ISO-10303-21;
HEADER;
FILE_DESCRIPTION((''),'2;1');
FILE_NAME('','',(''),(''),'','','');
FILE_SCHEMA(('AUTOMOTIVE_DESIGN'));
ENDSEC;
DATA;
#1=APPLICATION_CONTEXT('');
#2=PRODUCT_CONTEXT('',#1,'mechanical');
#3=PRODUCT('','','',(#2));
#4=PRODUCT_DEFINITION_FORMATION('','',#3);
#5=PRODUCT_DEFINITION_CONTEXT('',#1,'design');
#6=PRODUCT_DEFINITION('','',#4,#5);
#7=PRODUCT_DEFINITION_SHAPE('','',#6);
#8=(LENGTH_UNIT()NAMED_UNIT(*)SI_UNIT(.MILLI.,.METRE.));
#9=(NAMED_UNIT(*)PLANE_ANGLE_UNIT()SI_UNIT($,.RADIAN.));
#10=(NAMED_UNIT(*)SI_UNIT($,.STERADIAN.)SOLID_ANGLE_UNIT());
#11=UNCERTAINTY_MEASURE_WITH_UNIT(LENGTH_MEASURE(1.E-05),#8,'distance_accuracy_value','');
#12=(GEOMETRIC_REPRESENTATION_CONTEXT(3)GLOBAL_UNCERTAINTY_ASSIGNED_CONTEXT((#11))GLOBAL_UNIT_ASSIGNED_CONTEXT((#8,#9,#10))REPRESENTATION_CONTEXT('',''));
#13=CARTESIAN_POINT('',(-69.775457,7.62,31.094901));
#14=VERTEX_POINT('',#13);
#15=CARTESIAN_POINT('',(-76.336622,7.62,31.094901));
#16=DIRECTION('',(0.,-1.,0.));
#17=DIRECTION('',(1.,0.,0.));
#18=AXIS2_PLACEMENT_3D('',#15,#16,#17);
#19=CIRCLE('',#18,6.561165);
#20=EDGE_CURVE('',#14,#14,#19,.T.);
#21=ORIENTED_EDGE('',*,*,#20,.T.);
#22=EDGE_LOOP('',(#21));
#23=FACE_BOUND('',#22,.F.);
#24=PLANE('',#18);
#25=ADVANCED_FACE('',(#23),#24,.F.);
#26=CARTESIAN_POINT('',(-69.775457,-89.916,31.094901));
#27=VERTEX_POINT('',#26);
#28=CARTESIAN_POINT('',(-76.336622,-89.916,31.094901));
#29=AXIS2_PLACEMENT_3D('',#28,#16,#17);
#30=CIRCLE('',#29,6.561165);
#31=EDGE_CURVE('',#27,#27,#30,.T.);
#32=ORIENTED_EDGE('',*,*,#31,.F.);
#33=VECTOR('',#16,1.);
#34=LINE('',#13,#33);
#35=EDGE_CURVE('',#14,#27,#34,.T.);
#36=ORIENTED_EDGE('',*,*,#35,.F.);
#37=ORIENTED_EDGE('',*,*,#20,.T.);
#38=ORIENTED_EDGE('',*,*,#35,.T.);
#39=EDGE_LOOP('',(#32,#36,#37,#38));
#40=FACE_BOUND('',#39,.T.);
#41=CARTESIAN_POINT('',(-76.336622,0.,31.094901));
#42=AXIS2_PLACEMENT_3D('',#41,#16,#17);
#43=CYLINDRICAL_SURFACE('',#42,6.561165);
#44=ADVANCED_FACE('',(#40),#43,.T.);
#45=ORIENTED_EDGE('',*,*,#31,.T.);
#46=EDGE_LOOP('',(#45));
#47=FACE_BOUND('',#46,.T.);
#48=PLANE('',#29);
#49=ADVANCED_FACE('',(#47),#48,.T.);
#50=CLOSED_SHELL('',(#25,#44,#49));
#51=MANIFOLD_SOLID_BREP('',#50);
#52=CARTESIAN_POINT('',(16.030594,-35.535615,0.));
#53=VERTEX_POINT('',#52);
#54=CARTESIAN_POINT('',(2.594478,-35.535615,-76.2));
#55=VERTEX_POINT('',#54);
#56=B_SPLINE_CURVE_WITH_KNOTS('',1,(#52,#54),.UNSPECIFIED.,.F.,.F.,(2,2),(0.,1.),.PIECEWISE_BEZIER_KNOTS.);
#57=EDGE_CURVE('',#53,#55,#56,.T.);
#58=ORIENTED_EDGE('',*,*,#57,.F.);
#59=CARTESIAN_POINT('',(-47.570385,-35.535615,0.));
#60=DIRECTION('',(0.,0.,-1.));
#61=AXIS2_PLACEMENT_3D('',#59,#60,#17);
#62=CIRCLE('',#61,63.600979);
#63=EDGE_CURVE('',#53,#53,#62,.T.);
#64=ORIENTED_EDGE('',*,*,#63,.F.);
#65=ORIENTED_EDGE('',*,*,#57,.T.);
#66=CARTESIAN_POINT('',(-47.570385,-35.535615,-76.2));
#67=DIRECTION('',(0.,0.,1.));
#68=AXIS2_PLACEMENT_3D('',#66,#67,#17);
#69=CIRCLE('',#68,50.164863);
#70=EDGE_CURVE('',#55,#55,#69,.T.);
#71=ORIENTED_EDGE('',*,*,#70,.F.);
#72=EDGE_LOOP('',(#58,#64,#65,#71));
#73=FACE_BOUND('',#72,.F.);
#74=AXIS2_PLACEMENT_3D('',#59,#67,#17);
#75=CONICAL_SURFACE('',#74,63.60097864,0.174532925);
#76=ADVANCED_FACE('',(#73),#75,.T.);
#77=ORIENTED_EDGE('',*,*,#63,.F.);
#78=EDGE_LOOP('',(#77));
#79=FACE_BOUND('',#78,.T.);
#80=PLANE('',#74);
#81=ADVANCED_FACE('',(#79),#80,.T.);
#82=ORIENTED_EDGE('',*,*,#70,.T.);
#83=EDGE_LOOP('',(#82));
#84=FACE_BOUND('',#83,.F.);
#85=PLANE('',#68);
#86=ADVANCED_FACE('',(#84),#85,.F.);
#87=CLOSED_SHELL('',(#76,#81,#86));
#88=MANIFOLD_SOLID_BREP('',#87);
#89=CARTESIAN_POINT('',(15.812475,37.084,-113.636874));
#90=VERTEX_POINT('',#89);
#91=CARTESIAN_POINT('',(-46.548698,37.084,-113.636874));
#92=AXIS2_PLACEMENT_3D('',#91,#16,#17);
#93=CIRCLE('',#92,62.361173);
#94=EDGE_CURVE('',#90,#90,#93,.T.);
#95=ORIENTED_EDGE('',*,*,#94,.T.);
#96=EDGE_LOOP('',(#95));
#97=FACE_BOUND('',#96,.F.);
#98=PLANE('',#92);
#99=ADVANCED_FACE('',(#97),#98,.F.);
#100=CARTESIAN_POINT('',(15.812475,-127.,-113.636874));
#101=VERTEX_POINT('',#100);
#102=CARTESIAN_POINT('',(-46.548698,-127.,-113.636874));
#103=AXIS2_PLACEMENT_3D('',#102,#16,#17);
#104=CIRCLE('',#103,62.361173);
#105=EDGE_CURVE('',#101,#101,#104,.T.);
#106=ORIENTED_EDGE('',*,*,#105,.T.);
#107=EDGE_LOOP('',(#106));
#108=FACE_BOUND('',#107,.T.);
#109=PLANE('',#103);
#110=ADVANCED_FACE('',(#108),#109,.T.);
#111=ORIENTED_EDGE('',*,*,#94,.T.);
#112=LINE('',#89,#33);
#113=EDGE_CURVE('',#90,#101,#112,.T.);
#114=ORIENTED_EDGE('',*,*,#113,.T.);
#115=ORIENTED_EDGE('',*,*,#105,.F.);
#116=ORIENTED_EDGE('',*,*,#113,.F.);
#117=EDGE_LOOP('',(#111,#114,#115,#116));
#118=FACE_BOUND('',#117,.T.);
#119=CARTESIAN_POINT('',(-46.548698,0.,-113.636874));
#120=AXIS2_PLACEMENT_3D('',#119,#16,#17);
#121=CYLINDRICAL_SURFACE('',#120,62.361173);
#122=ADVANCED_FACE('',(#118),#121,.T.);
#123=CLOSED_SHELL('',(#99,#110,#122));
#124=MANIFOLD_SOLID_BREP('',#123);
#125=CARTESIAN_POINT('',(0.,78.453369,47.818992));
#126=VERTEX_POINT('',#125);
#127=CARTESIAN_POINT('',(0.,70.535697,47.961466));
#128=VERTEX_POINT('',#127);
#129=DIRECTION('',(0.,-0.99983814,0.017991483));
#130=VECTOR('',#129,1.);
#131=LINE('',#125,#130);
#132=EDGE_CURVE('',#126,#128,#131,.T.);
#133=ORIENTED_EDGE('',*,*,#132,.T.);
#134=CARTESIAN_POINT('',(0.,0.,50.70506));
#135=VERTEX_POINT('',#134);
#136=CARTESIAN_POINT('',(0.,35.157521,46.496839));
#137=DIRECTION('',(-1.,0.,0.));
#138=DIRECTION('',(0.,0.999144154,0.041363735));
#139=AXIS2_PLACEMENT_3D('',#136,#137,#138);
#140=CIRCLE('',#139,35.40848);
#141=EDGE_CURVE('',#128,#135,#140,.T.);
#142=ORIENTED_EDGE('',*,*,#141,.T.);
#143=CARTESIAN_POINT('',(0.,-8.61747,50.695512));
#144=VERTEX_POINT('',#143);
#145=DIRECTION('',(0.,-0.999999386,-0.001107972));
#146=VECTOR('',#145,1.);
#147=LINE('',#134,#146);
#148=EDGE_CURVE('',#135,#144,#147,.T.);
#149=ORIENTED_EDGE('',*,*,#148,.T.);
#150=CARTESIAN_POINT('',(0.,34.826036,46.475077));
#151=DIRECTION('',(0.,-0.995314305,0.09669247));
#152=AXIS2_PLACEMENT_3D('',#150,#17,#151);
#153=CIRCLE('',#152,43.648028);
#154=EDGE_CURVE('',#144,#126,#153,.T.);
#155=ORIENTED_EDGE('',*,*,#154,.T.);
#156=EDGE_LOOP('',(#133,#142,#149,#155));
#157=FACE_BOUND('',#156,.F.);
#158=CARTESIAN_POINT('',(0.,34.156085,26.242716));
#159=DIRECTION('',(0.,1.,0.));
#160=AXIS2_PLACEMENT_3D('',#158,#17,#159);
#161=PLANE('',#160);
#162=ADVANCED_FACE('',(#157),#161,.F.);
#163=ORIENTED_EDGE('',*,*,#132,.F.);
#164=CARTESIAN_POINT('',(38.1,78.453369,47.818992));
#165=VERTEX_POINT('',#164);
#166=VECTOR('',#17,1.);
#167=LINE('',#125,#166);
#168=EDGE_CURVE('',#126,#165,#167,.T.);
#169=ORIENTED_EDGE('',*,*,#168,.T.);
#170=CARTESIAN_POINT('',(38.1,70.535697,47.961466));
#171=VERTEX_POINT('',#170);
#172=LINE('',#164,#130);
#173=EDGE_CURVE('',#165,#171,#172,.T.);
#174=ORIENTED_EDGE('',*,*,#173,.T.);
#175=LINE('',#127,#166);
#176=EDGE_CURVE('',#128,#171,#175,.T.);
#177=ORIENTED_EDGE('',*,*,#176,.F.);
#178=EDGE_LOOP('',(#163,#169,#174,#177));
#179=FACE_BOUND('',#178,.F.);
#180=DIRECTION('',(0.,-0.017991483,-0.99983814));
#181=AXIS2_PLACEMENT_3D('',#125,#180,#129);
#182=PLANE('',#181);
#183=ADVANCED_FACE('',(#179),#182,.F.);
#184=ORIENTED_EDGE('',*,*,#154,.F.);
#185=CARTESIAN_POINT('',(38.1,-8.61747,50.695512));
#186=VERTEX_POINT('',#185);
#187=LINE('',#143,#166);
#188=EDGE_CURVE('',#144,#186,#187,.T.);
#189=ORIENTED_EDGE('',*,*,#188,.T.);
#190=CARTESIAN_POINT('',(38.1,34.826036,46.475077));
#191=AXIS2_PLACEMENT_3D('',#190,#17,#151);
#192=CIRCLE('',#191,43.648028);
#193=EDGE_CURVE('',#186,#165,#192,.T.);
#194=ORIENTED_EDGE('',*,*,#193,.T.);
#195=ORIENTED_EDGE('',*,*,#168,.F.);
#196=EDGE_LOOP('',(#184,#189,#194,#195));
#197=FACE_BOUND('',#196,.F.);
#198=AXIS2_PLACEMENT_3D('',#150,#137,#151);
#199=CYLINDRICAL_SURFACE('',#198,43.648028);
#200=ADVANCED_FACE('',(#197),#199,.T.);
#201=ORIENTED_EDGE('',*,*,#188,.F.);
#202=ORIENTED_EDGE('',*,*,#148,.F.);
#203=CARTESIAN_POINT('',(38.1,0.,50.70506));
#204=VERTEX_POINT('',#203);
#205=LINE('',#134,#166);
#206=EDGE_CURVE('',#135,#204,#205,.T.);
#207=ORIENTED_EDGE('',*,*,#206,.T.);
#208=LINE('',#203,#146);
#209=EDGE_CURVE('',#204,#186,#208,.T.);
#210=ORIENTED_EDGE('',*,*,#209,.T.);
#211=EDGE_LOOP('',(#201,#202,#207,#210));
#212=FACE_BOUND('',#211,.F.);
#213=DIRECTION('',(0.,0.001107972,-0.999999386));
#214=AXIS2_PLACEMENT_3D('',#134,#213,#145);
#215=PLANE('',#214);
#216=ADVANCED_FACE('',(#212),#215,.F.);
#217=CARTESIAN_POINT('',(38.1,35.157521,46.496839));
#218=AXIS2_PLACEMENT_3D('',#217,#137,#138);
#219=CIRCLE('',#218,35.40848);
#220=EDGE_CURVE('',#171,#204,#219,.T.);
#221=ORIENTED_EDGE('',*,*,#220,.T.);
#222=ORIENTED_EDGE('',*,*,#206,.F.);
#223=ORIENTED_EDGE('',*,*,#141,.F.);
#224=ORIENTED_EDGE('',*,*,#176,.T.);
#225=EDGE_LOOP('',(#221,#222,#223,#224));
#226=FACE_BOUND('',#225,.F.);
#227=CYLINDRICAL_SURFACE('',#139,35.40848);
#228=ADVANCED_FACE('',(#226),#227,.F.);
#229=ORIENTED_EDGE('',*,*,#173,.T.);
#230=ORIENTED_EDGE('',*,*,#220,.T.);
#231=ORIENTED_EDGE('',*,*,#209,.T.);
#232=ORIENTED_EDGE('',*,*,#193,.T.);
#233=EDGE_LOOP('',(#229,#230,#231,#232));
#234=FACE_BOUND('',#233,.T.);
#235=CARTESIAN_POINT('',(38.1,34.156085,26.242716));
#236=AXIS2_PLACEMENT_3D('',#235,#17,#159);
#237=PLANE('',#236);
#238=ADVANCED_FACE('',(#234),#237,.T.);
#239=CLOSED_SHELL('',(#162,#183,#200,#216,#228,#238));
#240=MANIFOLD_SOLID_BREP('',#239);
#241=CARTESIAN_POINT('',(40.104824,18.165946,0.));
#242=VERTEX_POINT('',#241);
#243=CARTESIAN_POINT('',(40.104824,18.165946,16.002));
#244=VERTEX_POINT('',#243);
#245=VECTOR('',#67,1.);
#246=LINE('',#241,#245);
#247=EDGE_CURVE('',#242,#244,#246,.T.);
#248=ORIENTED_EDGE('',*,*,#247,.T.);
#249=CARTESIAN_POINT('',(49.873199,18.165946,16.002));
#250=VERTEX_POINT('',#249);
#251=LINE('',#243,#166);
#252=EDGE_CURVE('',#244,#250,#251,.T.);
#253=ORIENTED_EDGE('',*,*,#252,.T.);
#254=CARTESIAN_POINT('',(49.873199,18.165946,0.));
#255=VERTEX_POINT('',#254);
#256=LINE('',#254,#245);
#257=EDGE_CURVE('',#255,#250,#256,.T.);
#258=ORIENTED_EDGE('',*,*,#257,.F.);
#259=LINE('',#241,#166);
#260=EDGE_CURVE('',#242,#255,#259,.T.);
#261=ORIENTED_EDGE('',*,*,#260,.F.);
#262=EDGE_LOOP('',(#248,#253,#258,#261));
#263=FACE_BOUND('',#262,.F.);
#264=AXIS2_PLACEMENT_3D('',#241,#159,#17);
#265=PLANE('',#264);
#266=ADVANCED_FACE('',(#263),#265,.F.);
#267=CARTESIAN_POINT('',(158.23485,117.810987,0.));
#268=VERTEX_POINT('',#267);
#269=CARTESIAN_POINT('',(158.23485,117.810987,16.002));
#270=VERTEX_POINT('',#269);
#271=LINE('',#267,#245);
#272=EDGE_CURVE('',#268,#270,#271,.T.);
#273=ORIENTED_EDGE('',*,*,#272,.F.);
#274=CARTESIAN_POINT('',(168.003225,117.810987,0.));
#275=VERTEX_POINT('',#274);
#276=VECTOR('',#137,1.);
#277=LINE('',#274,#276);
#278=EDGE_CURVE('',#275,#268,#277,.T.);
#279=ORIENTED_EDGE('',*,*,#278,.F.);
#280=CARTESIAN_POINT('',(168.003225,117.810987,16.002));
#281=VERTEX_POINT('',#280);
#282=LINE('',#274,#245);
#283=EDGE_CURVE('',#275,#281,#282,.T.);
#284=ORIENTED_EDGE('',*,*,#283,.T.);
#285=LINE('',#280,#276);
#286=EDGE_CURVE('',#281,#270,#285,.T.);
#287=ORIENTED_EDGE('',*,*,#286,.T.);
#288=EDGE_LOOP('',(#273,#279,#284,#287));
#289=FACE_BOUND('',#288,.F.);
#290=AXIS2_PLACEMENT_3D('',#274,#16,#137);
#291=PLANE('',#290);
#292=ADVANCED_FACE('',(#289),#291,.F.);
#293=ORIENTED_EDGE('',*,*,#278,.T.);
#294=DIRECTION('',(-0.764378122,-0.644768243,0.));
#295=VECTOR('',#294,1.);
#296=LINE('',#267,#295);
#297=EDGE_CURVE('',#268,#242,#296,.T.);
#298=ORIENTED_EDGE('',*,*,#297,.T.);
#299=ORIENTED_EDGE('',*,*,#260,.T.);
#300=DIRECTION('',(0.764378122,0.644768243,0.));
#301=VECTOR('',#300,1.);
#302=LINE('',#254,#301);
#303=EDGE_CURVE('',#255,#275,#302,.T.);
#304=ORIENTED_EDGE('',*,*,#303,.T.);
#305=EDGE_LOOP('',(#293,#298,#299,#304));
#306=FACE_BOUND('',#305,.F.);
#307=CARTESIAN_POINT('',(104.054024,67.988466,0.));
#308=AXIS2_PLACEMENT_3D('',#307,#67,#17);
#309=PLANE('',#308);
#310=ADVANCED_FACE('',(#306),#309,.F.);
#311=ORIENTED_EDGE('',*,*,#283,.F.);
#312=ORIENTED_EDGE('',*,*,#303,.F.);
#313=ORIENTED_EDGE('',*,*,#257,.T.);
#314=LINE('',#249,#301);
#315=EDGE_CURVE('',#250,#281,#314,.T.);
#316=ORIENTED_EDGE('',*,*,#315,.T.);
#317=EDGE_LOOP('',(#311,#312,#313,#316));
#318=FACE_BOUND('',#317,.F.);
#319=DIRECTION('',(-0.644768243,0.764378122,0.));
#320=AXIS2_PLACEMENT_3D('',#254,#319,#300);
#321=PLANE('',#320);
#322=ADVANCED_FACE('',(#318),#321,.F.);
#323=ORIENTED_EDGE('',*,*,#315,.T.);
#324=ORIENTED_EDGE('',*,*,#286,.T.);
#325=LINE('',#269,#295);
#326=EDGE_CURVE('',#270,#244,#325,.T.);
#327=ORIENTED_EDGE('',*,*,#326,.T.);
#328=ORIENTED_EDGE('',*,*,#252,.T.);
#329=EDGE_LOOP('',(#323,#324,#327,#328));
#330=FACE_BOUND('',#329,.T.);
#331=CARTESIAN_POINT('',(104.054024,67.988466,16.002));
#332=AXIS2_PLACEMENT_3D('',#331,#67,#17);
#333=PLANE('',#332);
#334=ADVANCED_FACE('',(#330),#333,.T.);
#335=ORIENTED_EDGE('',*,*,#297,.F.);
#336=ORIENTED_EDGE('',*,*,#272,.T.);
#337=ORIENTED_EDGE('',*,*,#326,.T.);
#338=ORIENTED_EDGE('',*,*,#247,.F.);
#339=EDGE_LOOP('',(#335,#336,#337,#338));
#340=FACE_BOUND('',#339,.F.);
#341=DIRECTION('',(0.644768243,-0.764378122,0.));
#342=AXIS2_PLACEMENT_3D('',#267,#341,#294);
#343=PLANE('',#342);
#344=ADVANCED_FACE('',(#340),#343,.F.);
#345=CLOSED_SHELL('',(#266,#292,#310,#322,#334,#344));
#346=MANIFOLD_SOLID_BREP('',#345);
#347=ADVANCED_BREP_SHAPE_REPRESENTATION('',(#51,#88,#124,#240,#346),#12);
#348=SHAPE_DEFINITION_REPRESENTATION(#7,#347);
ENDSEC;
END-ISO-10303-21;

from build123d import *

# Parameters (mm, degrees)
F0_R          = 63.6009786396
F1_DEPTH      = 76.2
F1_TAPER      = 10
F2_R          = 62.3611729576
F3_DEPTH      = 127
F3_DEPTH_BACK = 37.084
F4_R          = 6.5611651664
F5_DEPTH      = 89.916
F5_DEPTH_BACK = 7.62
F7_DEPTH      = 16.002
F9_DEPTH      = 38.1


with BuildPart() as f1:
    # F0 (on Top) → F1 (new body)
    with BuildSketch(Plane.XY):
        with Locations((-47.5703850389, -35.5356149375)):
            Circle(F0_R)
    extrude(amount=-F1_DEPTH, taper=F1_TAPER)


with BuildPart() as f3:
    # F2 (on Front) → F3 (new body, two sides)
    with BuildSketch(Plane.XZ) as f3_sk:
        with Locations((-46.5486980975, -113.6368736625)):
            Circle(F2_R)
    extrude(amount=F3_DEPTH)
    extrude(f3_sk.sketch, amount=-F3_DEPTH_BACK)


with BuildPart() as f5:
    # F4 (on Front) → F5 (new body, two sides)
    with BuildSketch(Plane.XZ) as f5_sk:
        with Locations((-76.3366222382, 31.0949012637)):
            Circle(F4_R)
    extrude(amount=F5_DEPTH)
    extrude(f5_sk.sketch, amount=-F5_DEPTH_BACK)


with BuildPart() as f7:
    # F6 (on Top) → F7 (new body)
    with BuildSketch(Plane.XY):
        Polygon((40.1048237091, 18.1659460068), (49.8731993139, 18.1659460068), (168.0032251769, 117.8109869361), (158.2348495722, 117.8109869361), align=None)
    extrude(amount=F7_DEPTH)


with BuildPart() as f9:
    # F8 (on Right) → F9 (new body)
    with BuildSketch(Plane.YZ):
        with BuildLine():
            ThreePointArc((70.5356970429, 47.9614660144), (33.7812948817, 11.1151143445), (0, 50.7050603628))
            Line((0, 50.7050603628), (-8.6174700409, 50.6955124438))
            ThreePointArc((-8.6174700409, 50.6955124438), (33.3848422189, 2.8508487885), (78.4533694386, 47.8189922869))
            Line((78.4533694386, 47.8189922869), (70.5356970429, 47.9614660144))
        make_face()
    extrude(amount=F9_DEPTH)


solid = Compound([f1.part, f3.part, f5.part, f7.part, f9.part])
